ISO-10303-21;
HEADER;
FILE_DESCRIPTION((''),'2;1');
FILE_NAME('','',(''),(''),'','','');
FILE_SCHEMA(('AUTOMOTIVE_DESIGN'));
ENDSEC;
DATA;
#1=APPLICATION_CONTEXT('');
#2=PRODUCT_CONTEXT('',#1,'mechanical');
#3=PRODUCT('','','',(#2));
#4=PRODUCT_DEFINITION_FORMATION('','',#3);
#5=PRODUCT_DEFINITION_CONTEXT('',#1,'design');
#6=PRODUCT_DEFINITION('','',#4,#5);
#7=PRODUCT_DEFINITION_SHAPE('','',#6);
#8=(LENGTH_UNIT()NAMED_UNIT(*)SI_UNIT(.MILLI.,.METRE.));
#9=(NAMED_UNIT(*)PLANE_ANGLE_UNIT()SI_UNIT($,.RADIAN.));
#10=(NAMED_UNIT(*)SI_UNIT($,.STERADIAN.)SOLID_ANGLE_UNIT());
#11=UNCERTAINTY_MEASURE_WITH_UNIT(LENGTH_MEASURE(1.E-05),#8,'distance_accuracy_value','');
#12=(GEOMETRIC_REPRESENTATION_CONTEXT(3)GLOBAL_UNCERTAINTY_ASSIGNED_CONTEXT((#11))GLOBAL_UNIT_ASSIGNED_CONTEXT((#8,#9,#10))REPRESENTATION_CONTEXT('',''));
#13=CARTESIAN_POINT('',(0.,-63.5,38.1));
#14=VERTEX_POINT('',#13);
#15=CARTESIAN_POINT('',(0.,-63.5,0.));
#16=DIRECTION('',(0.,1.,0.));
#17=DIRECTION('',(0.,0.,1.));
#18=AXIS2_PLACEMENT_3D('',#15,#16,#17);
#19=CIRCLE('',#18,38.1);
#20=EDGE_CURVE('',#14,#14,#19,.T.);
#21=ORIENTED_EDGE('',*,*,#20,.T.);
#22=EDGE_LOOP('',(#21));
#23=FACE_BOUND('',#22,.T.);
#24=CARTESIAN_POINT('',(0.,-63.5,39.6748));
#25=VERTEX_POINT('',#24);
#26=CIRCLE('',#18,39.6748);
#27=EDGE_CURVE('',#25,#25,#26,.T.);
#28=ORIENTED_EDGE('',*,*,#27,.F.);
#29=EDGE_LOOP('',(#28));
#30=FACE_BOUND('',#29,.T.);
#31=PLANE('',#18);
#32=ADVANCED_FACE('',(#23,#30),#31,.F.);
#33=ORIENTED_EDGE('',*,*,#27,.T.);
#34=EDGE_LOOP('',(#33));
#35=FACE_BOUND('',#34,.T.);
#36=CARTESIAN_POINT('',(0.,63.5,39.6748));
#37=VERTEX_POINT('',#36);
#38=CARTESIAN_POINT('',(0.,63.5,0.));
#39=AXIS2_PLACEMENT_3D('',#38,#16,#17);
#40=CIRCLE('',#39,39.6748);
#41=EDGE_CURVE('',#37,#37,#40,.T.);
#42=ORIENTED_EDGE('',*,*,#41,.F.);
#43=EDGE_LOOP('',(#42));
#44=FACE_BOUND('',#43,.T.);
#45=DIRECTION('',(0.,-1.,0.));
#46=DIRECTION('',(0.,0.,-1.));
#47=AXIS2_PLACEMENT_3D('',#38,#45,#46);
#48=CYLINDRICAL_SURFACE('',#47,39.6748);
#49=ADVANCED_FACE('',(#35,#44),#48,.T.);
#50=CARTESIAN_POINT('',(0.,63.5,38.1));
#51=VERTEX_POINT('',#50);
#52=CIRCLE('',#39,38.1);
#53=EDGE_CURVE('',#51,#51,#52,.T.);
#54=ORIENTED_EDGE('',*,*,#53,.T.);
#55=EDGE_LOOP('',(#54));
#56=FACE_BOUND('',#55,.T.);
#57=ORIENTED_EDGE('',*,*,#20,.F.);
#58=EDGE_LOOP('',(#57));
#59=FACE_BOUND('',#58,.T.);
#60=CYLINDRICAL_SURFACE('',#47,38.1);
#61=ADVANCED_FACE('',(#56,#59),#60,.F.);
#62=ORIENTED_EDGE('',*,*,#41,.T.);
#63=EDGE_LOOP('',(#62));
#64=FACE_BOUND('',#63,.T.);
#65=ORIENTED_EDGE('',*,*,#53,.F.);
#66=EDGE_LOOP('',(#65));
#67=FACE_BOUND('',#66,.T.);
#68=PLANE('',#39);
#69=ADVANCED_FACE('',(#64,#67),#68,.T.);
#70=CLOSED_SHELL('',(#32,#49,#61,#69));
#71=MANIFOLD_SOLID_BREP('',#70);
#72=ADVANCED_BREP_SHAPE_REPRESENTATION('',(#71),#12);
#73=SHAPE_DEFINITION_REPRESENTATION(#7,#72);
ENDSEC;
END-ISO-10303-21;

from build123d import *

# Parameters (mm, degrees)
SKETCH_1_R      = 39.6748
SKETCH_1_R_2    = 38.1
EXTRUDE_1_DEPTH = 63.5


with BuildPart() as part:
    # 草图1 → 凸台-拉伸1 (new, symmetric)
    with BuildSketch(Plane(origin=(0, 0, 0), x_dir=(1, 0, 0), z_dir=(0, 1, 0))):
        with Locations(Location((0, 0, 0), (0, 0, 270))):
            Circle(SKETCH_1_R)
        with Locations(Location((0, 0, 0), (0, 0, 270))):
            Circle(SKETCH_1_R_2, mode=Mode.SUBTRACT)
    extrude(amount=EXTRUDE_1_DEPTH, both=True)


solid = part.part
